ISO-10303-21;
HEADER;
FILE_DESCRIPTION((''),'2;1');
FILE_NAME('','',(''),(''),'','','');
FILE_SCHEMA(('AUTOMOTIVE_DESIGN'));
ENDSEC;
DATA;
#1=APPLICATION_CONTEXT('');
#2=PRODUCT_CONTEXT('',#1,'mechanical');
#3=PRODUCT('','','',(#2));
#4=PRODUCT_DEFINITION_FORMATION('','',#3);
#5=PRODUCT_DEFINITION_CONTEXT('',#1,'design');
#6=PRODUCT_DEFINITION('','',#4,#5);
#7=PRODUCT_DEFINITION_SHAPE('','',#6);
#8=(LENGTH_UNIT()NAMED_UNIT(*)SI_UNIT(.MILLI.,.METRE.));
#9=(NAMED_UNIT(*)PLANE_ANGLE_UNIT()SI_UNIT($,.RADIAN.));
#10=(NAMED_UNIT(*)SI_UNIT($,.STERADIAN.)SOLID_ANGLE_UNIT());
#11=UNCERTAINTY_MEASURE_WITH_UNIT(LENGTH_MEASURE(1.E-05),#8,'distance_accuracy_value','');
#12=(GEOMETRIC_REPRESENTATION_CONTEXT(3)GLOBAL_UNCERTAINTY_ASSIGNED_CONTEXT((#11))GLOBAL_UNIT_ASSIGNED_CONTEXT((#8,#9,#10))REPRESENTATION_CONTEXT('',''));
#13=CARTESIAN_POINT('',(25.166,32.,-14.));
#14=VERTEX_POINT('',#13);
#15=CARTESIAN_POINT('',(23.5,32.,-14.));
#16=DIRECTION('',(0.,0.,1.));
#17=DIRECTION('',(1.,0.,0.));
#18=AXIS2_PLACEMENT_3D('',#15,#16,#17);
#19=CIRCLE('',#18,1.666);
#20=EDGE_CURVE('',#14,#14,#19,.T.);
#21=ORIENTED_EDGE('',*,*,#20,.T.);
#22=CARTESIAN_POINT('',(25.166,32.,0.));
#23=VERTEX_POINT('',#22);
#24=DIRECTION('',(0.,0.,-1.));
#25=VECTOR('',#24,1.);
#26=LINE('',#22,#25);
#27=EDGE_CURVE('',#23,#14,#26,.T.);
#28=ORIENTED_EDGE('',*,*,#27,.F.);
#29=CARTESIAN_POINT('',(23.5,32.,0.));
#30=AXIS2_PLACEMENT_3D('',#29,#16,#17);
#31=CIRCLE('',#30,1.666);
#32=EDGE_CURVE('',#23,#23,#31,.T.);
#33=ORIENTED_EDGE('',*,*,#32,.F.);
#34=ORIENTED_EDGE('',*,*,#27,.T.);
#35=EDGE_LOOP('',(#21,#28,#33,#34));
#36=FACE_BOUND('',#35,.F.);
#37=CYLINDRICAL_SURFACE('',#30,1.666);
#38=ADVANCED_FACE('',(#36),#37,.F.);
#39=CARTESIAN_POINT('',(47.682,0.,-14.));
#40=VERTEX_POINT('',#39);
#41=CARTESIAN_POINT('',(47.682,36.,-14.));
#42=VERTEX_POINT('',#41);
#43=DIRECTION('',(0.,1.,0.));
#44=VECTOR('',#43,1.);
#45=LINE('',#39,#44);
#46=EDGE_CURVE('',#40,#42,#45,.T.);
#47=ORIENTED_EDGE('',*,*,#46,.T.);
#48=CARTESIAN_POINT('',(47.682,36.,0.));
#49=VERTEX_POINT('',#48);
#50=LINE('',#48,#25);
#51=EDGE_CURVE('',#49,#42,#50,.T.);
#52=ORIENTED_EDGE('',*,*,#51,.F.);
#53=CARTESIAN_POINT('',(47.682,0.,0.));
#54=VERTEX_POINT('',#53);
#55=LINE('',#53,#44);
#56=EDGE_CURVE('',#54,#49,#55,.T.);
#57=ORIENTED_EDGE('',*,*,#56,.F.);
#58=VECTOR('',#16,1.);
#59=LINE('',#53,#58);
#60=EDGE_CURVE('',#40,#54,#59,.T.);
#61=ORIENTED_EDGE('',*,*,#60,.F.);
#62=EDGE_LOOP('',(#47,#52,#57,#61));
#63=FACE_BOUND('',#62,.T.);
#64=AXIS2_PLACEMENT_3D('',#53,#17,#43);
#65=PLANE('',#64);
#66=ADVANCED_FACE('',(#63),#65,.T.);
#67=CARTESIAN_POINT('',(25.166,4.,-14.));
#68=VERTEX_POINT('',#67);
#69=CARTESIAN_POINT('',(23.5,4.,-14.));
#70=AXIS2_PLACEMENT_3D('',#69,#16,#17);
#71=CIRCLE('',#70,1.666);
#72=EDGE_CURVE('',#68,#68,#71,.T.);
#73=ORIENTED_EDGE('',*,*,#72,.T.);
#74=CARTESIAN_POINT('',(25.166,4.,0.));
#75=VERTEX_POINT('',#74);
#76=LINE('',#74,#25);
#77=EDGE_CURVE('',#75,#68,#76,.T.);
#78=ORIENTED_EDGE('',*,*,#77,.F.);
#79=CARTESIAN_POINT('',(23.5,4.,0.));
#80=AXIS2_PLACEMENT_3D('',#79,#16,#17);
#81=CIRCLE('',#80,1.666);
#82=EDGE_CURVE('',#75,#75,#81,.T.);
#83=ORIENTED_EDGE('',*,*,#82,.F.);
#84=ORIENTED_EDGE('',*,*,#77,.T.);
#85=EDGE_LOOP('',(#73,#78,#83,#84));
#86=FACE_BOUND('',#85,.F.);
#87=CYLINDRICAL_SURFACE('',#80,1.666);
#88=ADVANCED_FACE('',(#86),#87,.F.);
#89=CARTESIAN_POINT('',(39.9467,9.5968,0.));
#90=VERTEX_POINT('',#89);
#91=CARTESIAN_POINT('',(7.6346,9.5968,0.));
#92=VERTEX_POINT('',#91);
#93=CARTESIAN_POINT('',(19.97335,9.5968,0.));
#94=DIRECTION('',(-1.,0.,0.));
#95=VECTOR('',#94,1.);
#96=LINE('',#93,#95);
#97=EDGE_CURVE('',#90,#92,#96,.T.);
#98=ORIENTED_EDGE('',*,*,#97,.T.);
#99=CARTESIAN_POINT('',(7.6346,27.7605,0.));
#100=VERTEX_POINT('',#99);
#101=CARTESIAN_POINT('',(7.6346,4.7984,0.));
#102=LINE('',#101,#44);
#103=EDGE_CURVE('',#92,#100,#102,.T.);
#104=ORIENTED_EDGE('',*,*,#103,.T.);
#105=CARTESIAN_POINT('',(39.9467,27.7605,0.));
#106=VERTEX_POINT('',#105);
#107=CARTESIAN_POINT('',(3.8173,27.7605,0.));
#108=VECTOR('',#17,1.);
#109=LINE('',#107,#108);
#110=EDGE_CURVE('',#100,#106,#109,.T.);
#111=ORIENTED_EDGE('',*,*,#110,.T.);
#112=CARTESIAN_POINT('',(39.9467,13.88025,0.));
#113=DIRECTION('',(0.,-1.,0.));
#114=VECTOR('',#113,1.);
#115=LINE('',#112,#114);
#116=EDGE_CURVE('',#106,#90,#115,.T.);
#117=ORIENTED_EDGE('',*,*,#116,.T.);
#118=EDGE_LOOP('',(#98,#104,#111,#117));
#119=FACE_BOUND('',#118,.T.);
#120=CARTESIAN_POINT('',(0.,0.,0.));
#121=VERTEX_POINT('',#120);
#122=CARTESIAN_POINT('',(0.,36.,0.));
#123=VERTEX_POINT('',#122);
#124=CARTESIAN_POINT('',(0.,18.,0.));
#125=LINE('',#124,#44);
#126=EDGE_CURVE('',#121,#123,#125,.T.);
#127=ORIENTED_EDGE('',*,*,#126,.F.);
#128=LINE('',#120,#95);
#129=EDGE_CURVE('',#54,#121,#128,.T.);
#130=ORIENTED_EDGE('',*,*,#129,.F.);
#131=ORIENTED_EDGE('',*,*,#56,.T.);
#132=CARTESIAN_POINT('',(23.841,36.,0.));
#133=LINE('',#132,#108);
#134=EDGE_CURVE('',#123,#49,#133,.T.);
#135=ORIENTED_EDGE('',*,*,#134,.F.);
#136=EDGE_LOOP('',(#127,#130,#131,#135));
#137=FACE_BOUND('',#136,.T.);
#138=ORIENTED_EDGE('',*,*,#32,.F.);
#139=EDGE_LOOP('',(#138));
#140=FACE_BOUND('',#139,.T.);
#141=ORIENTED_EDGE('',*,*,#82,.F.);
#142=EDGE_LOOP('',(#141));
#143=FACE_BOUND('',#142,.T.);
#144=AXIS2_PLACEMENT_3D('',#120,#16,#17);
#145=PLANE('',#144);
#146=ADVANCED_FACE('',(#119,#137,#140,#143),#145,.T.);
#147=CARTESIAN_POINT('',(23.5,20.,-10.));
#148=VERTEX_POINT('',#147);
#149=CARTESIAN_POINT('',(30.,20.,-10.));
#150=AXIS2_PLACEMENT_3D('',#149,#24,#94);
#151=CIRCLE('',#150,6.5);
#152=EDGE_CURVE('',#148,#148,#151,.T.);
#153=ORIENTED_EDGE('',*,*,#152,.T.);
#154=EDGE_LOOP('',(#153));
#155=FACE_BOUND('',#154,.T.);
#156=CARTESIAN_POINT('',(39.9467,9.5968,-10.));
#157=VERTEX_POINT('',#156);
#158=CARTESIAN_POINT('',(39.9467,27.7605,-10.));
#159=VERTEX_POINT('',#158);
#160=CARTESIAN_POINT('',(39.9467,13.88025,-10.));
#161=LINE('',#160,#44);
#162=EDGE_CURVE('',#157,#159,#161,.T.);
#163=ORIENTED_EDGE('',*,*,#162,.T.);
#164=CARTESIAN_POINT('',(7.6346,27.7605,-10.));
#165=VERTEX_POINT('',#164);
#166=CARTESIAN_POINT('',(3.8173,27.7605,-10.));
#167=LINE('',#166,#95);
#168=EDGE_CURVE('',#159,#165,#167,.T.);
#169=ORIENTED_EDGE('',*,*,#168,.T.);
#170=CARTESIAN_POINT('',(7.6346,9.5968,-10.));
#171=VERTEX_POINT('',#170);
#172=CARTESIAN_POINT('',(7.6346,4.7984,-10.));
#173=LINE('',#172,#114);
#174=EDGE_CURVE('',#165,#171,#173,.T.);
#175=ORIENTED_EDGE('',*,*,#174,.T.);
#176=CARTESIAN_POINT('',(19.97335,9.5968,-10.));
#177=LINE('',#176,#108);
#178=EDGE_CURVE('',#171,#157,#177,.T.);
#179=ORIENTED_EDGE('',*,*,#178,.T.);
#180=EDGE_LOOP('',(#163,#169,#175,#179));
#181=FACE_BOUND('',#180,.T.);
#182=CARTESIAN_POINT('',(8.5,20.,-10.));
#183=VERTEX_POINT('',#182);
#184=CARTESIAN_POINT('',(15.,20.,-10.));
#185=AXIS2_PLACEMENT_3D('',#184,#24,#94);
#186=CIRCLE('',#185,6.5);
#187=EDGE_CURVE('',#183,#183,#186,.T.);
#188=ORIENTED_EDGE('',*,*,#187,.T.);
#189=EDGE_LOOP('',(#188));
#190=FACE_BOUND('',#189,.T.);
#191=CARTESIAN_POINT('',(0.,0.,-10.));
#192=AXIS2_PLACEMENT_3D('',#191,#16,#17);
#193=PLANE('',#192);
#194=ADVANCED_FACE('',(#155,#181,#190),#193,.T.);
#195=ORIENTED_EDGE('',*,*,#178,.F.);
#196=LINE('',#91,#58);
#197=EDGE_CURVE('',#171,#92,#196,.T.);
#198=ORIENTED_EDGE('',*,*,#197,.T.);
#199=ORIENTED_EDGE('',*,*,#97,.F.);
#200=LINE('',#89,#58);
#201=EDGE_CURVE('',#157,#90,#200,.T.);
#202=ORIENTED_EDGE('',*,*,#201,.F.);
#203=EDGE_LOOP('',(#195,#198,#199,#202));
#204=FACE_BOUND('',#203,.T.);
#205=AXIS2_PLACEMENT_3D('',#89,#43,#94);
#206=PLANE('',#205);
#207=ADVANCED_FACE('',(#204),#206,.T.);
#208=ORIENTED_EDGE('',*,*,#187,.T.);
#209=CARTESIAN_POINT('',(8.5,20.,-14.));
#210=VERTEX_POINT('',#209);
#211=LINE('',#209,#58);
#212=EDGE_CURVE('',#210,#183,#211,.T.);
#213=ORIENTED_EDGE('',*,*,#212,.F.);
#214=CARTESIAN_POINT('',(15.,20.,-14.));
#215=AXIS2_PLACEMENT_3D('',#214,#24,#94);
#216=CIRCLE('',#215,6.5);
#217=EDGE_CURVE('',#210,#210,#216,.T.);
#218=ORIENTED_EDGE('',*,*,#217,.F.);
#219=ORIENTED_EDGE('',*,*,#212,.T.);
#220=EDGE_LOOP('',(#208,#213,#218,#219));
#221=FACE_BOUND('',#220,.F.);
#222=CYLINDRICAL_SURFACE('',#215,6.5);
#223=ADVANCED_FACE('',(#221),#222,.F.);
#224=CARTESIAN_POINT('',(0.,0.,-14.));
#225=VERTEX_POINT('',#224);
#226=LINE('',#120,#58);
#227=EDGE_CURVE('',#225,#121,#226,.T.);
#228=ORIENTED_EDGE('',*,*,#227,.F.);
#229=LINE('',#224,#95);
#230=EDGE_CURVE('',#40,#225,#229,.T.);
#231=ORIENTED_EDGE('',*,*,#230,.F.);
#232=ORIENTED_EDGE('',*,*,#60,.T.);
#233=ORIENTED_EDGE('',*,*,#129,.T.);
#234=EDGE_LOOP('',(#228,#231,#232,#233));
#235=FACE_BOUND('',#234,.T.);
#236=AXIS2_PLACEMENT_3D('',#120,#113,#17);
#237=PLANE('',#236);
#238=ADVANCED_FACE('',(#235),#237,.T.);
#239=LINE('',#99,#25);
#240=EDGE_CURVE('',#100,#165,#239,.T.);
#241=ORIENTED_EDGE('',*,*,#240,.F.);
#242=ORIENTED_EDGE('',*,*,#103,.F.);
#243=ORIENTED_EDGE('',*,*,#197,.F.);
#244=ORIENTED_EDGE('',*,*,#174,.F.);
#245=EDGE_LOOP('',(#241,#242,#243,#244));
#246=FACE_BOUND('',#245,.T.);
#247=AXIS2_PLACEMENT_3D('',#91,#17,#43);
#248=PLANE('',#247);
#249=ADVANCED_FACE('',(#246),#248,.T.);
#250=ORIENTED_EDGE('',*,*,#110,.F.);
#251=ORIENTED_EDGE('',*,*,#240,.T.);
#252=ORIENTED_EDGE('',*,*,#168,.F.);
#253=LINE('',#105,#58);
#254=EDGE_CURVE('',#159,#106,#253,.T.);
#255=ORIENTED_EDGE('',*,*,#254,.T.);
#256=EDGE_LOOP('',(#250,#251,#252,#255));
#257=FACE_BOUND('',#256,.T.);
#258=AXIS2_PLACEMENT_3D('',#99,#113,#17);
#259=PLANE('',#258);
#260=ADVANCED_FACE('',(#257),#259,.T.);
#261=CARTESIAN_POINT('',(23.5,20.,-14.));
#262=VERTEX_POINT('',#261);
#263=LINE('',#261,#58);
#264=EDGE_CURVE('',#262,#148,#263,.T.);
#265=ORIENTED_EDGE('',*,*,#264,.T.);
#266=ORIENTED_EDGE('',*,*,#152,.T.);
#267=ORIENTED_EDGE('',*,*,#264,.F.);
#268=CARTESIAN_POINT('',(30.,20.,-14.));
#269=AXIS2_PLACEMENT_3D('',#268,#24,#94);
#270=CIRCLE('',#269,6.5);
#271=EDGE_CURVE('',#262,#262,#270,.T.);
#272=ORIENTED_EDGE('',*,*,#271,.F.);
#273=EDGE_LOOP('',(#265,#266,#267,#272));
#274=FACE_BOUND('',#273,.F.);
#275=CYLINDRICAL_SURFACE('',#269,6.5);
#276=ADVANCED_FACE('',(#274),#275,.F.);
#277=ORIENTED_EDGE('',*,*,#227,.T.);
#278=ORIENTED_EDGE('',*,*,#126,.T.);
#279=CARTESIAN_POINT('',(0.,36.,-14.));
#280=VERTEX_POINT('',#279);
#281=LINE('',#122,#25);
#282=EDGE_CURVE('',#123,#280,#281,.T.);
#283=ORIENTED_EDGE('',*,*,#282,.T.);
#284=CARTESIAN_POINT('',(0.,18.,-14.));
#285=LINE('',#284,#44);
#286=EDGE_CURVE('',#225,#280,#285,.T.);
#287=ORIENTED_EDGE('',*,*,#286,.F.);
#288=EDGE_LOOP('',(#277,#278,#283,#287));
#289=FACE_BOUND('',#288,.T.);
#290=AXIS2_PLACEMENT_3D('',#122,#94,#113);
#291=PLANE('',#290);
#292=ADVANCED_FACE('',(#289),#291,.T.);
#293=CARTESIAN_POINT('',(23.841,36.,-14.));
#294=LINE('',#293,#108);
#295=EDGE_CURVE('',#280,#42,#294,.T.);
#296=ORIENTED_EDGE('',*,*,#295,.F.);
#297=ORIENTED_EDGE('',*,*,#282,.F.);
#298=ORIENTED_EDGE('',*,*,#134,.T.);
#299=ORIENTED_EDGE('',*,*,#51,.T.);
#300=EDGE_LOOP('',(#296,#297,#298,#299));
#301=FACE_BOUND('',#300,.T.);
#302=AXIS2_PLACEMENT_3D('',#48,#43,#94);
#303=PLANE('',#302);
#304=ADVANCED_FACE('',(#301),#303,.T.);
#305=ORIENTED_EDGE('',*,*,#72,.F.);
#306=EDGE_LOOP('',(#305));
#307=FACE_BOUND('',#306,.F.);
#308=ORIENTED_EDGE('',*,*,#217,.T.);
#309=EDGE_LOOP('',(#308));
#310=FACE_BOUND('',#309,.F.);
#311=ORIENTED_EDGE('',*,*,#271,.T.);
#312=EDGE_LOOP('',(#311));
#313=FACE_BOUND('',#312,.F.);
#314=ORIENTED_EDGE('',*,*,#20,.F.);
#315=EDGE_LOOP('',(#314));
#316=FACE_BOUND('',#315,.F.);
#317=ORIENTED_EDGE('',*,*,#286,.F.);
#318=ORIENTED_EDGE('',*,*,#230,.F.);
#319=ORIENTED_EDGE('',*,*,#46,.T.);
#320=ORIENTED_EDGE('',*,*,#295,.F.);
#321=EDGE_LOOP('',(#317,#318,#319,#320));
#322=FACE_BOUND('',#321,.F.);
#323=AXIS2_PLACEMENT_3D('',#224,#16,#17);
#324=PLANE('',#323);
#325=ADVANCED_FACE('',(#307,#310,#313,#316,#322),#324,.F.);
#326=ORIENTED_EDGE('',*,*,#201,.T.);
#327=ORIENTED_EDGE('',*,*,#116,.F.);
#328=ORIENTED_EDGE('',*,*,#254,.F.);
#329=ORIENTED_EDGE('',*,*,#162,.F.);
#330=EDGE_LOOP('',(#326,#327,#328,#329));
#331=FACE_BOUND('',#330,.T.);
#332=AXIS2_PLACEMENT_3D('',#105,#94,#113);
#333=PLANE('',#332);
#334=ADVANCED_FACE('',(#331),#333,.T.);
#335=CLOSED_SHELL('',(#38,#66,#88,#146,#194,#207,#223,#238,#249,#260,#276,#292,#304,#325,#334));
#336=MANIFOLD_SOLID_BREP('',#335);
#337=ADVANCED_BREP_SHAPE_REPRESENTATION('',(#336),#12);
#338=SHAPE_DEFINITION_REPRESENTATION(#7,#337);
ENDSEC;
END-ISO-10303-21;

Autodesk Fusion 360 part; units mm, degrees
sketch "Boceto1" plane through (0, 0, 0) normal (0, 0, 1) x (1, 0, 0)
  line L0 (0, 0) -> (47.682, 0)
  line L1 (47.682, 0) -> (47.682, 36)
  line L2 (47.682, 36) -> (0, 36)
  line L3 (0, 36) -> (0, 0)
  line L4 (4.2944, 26.5117) -> (42.5805, 26.5117)
  line L5 (42.5805, 26.5117) -> (42.5805, 9.2899)
  line L6 (42.5805, 9.2899) -> (4.2944, 9.2899)
  line L7 (4.2944, 9.2899) -> (4.2944, 26.5117)
  circle A0 centre (23.5, 32) radius 2.25
  circle A1 centre (23.5, 4) radius 2.25
  dimension "d8" = 4.5
  dimension "d10" = 4.5
extrude "Extruir1" add sketch "Boceto1" against normal blind 14 contours L0 L1 L2 L3 | L4 L5 L6 L7
sketch "Boceto2" plane through (0, 0, 0) normal (0, 0, 1) x (1, 0, 0)
  circle A0 centre (23.5, 4) radius 2.25
  circle A1 centre (23.5, 32) radius 2.25
  line L0 (0, 36) -> (0, 0)
  line L1 (0, 0) -> (47.682, 0)
  line L2 (47.682, 0) -> (47.682, 36)
  line L3 (47.682, 36) -> (0, 36)
  line L4 (7.6346, 27.7605) -> (39.9467, 27.7605)
  line L5 (39.9467, 27.7605) -> (39.9467, 9.5968)
  line L6 (39.9467, 9.5968) -> (7.6346, 9.5968)
  line L7 (7.6346, 9.5968) -> (7.6346, 27.7605)
extrude "Extruir2" cut sketch "Boceto2" against normal blind 10 contours L4 L5 L6 L7
sketch "Boceto3" plane through (0, 0, -14) normal (0, 0, -1) x (-1, 0, 0)
  circle A0 centre (-23.5, 4) radius 2.25
  circle A1 centre (-23.5, 32) radius 2.25
  line L0 (0, 0) -> (0, 36)
  line L1 (0, 36) -> (-47.682, 36)
  line L2 (-47.682, 36) -> (-47.682, 0)
  line L3 (-47.682, 0) -> (0, 0)
  circle A2 centre (-30, 20) radius 6.5
  circle A3 centre (-15, 20) radius 6.5
  dimension "d25" = 13
  dimension "d26" = 13
extrude "Extruir3" cut sketch "Boceto3" against normal blind 25 contours A2 | A3
thread "Rosca1" "ISO Metric profile 4.0 M4x0.7 M4x0.7 6H" major diameter 4.1095 minor diameter 3.332 pitch 0.7 angle 60 resizes the face on face at (25.7388, 31.776, -9.3333)
thread "Rosca2" "ISO Metric profile 4.0 M4x0.7 M4x0.7 6H" major diameter 4.1095 minor diameter 3.332 pitch 0.7 angle 60 resizes the face on face at (25.7388, 3.776, -9.3333)
